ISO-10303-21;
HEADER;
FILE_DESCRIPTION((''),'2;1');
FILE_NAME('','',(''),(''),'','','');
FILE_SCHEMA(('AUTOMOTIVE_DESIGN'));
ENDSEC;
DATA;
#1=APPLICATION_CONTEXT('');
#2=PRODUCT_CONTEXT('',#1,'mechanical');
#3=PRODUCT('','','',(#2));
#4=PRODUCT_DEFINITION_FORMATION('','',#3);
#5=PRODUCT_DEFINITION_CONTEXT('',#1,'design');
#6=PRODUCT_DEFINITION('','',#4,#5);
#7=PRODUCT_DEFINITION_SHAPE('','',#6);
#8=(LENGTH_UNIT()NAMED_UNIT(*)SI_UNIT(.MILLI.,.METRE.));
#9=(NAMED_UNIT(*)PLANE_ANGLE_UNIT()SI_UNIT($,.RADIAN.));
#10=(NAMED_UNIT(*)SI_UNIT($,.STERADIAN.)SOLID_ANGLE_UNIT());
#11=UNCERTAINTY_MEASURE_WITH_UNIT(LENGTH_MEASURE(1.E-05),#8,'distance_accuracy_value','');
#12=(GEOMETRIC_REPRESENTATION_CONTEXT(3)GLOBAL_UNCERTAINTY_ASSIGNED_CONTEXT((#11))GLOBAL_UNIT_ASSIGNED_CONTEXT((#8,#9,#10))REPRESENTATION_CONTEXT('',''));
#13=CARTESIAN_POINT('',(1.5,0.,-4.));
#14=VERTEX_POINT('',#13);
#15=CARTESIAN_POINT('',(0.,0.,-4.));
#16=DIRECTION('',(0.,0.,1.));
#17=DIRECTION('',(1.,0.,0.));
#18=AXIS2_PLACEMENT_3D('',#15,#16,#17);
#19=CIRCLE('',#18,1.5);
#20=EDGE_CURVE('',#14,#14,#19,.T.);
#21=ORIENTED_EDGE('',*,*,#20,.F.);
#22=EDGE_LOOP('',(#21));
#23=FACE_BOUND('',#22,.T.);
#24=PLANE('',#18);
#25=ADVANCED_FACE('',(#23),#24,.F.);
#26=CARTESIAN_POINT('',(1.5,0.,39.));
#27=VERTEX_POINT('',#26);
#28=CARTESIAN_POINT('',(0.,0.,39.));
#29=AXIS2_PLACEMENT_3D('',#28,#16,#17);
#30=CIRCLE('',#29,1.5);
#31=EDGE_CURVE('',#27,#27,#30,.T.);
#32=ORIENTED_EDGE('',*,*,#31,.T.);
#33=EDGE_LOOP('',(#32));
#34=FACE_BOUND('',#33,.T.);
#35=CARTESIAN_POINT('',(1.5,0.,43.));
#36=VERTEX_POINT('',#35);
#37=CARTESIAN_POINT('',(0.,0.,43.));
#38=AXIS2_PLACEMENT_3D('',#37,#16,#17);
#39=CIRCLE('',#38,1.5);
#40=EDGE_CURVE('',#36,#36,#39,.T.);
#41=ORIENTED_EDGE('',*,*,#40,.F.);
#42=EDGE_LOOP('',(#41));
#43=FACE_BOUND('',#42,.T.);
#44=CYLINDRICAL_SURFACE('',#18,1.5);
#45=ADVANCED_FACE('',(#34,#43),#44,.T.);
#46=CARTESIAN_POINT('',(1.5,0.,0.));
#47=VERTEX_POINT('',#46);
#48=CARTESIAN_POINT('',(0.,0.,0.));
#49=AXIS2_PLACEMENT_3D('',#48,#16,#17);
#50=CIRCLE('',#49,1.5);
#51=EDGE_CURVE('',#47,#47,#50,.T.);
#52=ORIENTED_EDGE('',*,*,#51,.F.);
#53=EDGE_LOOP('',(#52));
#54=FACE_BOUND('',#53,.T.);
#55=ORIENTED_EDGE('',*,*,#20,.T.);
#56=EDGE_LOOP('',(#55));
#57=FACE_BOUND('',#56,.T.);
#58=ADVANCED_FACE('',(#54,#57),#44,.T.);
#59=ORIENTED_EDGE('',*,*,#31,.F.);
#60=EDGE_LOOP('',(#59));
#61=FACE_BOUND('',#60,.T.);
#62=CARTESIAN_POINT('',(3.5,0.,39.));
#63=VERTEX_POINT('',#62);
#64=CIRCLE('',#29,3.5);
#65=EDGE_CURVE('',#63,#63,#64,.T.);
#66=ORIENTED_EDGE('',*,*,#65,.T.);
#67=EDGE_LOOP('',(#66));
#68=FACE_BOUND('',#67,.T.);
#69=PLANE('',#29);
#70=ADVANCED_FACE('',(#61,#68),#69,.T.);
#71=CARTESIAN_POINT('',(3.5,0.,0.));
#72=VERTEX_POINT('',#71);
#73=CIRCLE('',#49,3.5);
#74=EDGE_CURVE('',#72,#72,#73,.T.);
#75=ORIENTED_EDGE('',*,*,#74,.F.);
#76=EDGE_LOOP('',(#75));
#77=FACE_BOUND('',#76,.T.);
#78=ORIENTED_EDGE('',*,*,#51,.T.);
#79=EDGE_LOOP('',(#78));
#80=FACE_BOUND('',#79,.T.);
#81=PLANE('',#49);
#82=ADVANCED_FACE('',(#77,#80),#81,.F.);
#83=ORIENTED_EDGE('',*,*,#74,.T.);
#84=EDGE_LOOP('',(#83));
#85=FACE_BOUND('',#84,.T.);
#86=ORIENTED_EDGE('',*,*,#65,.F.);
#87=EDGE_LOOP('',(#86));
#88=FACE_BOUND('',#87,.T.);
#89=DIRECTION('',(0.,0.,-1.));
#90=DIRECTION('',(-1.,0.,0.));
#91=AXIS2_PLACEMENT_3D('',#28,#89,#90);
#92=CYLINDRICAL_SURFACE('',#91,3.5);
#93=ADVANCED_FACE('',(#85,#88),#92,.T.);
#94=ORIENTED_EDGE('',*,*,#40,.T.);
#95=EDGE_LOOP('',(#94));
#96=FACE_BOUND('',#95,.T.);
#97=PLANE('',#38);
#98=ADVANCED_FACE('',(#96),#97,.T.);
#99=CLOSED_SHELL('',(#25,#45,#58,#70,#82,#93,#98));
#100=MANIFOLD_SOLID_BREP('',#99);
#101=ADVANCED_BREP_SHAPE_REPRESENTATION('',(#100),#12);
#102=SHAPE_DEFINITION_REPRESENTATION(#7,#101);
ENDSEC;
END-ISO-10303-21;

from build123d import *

# Parameters (mm, degrees)
SKETCH_1_R           = 3.5
EXTRUDE_1_DEPTH      = 39
SKETCH_2_R           = 1.5
EXTRUDE_3_DEPTH      = 4
EXTRUDE_3_DEPTH_BACK = 43


with BuildPart() as part:
    # 草图1 → 凸台-拉伸1 (new body)
    with BuildSketch(Plane.XY):
        Circle(SKETCH_1_R)
    extrude(amount=EXTRUDE_1_DEPTH)

    # 草图2 → 凸台-拉伸3 (add, two sides)
    with BuildSketch(Plane.XY.offset(39)) as extrude_3_sk:
        Circle(SKETCH_2_R)
    extrude(amount=EXTRUDE_3_DEPTH)
    extrude(extrude_3_sk.sketch, amount=-EXTRUDE_3_DEPTH_BACK)


solid = part.part
